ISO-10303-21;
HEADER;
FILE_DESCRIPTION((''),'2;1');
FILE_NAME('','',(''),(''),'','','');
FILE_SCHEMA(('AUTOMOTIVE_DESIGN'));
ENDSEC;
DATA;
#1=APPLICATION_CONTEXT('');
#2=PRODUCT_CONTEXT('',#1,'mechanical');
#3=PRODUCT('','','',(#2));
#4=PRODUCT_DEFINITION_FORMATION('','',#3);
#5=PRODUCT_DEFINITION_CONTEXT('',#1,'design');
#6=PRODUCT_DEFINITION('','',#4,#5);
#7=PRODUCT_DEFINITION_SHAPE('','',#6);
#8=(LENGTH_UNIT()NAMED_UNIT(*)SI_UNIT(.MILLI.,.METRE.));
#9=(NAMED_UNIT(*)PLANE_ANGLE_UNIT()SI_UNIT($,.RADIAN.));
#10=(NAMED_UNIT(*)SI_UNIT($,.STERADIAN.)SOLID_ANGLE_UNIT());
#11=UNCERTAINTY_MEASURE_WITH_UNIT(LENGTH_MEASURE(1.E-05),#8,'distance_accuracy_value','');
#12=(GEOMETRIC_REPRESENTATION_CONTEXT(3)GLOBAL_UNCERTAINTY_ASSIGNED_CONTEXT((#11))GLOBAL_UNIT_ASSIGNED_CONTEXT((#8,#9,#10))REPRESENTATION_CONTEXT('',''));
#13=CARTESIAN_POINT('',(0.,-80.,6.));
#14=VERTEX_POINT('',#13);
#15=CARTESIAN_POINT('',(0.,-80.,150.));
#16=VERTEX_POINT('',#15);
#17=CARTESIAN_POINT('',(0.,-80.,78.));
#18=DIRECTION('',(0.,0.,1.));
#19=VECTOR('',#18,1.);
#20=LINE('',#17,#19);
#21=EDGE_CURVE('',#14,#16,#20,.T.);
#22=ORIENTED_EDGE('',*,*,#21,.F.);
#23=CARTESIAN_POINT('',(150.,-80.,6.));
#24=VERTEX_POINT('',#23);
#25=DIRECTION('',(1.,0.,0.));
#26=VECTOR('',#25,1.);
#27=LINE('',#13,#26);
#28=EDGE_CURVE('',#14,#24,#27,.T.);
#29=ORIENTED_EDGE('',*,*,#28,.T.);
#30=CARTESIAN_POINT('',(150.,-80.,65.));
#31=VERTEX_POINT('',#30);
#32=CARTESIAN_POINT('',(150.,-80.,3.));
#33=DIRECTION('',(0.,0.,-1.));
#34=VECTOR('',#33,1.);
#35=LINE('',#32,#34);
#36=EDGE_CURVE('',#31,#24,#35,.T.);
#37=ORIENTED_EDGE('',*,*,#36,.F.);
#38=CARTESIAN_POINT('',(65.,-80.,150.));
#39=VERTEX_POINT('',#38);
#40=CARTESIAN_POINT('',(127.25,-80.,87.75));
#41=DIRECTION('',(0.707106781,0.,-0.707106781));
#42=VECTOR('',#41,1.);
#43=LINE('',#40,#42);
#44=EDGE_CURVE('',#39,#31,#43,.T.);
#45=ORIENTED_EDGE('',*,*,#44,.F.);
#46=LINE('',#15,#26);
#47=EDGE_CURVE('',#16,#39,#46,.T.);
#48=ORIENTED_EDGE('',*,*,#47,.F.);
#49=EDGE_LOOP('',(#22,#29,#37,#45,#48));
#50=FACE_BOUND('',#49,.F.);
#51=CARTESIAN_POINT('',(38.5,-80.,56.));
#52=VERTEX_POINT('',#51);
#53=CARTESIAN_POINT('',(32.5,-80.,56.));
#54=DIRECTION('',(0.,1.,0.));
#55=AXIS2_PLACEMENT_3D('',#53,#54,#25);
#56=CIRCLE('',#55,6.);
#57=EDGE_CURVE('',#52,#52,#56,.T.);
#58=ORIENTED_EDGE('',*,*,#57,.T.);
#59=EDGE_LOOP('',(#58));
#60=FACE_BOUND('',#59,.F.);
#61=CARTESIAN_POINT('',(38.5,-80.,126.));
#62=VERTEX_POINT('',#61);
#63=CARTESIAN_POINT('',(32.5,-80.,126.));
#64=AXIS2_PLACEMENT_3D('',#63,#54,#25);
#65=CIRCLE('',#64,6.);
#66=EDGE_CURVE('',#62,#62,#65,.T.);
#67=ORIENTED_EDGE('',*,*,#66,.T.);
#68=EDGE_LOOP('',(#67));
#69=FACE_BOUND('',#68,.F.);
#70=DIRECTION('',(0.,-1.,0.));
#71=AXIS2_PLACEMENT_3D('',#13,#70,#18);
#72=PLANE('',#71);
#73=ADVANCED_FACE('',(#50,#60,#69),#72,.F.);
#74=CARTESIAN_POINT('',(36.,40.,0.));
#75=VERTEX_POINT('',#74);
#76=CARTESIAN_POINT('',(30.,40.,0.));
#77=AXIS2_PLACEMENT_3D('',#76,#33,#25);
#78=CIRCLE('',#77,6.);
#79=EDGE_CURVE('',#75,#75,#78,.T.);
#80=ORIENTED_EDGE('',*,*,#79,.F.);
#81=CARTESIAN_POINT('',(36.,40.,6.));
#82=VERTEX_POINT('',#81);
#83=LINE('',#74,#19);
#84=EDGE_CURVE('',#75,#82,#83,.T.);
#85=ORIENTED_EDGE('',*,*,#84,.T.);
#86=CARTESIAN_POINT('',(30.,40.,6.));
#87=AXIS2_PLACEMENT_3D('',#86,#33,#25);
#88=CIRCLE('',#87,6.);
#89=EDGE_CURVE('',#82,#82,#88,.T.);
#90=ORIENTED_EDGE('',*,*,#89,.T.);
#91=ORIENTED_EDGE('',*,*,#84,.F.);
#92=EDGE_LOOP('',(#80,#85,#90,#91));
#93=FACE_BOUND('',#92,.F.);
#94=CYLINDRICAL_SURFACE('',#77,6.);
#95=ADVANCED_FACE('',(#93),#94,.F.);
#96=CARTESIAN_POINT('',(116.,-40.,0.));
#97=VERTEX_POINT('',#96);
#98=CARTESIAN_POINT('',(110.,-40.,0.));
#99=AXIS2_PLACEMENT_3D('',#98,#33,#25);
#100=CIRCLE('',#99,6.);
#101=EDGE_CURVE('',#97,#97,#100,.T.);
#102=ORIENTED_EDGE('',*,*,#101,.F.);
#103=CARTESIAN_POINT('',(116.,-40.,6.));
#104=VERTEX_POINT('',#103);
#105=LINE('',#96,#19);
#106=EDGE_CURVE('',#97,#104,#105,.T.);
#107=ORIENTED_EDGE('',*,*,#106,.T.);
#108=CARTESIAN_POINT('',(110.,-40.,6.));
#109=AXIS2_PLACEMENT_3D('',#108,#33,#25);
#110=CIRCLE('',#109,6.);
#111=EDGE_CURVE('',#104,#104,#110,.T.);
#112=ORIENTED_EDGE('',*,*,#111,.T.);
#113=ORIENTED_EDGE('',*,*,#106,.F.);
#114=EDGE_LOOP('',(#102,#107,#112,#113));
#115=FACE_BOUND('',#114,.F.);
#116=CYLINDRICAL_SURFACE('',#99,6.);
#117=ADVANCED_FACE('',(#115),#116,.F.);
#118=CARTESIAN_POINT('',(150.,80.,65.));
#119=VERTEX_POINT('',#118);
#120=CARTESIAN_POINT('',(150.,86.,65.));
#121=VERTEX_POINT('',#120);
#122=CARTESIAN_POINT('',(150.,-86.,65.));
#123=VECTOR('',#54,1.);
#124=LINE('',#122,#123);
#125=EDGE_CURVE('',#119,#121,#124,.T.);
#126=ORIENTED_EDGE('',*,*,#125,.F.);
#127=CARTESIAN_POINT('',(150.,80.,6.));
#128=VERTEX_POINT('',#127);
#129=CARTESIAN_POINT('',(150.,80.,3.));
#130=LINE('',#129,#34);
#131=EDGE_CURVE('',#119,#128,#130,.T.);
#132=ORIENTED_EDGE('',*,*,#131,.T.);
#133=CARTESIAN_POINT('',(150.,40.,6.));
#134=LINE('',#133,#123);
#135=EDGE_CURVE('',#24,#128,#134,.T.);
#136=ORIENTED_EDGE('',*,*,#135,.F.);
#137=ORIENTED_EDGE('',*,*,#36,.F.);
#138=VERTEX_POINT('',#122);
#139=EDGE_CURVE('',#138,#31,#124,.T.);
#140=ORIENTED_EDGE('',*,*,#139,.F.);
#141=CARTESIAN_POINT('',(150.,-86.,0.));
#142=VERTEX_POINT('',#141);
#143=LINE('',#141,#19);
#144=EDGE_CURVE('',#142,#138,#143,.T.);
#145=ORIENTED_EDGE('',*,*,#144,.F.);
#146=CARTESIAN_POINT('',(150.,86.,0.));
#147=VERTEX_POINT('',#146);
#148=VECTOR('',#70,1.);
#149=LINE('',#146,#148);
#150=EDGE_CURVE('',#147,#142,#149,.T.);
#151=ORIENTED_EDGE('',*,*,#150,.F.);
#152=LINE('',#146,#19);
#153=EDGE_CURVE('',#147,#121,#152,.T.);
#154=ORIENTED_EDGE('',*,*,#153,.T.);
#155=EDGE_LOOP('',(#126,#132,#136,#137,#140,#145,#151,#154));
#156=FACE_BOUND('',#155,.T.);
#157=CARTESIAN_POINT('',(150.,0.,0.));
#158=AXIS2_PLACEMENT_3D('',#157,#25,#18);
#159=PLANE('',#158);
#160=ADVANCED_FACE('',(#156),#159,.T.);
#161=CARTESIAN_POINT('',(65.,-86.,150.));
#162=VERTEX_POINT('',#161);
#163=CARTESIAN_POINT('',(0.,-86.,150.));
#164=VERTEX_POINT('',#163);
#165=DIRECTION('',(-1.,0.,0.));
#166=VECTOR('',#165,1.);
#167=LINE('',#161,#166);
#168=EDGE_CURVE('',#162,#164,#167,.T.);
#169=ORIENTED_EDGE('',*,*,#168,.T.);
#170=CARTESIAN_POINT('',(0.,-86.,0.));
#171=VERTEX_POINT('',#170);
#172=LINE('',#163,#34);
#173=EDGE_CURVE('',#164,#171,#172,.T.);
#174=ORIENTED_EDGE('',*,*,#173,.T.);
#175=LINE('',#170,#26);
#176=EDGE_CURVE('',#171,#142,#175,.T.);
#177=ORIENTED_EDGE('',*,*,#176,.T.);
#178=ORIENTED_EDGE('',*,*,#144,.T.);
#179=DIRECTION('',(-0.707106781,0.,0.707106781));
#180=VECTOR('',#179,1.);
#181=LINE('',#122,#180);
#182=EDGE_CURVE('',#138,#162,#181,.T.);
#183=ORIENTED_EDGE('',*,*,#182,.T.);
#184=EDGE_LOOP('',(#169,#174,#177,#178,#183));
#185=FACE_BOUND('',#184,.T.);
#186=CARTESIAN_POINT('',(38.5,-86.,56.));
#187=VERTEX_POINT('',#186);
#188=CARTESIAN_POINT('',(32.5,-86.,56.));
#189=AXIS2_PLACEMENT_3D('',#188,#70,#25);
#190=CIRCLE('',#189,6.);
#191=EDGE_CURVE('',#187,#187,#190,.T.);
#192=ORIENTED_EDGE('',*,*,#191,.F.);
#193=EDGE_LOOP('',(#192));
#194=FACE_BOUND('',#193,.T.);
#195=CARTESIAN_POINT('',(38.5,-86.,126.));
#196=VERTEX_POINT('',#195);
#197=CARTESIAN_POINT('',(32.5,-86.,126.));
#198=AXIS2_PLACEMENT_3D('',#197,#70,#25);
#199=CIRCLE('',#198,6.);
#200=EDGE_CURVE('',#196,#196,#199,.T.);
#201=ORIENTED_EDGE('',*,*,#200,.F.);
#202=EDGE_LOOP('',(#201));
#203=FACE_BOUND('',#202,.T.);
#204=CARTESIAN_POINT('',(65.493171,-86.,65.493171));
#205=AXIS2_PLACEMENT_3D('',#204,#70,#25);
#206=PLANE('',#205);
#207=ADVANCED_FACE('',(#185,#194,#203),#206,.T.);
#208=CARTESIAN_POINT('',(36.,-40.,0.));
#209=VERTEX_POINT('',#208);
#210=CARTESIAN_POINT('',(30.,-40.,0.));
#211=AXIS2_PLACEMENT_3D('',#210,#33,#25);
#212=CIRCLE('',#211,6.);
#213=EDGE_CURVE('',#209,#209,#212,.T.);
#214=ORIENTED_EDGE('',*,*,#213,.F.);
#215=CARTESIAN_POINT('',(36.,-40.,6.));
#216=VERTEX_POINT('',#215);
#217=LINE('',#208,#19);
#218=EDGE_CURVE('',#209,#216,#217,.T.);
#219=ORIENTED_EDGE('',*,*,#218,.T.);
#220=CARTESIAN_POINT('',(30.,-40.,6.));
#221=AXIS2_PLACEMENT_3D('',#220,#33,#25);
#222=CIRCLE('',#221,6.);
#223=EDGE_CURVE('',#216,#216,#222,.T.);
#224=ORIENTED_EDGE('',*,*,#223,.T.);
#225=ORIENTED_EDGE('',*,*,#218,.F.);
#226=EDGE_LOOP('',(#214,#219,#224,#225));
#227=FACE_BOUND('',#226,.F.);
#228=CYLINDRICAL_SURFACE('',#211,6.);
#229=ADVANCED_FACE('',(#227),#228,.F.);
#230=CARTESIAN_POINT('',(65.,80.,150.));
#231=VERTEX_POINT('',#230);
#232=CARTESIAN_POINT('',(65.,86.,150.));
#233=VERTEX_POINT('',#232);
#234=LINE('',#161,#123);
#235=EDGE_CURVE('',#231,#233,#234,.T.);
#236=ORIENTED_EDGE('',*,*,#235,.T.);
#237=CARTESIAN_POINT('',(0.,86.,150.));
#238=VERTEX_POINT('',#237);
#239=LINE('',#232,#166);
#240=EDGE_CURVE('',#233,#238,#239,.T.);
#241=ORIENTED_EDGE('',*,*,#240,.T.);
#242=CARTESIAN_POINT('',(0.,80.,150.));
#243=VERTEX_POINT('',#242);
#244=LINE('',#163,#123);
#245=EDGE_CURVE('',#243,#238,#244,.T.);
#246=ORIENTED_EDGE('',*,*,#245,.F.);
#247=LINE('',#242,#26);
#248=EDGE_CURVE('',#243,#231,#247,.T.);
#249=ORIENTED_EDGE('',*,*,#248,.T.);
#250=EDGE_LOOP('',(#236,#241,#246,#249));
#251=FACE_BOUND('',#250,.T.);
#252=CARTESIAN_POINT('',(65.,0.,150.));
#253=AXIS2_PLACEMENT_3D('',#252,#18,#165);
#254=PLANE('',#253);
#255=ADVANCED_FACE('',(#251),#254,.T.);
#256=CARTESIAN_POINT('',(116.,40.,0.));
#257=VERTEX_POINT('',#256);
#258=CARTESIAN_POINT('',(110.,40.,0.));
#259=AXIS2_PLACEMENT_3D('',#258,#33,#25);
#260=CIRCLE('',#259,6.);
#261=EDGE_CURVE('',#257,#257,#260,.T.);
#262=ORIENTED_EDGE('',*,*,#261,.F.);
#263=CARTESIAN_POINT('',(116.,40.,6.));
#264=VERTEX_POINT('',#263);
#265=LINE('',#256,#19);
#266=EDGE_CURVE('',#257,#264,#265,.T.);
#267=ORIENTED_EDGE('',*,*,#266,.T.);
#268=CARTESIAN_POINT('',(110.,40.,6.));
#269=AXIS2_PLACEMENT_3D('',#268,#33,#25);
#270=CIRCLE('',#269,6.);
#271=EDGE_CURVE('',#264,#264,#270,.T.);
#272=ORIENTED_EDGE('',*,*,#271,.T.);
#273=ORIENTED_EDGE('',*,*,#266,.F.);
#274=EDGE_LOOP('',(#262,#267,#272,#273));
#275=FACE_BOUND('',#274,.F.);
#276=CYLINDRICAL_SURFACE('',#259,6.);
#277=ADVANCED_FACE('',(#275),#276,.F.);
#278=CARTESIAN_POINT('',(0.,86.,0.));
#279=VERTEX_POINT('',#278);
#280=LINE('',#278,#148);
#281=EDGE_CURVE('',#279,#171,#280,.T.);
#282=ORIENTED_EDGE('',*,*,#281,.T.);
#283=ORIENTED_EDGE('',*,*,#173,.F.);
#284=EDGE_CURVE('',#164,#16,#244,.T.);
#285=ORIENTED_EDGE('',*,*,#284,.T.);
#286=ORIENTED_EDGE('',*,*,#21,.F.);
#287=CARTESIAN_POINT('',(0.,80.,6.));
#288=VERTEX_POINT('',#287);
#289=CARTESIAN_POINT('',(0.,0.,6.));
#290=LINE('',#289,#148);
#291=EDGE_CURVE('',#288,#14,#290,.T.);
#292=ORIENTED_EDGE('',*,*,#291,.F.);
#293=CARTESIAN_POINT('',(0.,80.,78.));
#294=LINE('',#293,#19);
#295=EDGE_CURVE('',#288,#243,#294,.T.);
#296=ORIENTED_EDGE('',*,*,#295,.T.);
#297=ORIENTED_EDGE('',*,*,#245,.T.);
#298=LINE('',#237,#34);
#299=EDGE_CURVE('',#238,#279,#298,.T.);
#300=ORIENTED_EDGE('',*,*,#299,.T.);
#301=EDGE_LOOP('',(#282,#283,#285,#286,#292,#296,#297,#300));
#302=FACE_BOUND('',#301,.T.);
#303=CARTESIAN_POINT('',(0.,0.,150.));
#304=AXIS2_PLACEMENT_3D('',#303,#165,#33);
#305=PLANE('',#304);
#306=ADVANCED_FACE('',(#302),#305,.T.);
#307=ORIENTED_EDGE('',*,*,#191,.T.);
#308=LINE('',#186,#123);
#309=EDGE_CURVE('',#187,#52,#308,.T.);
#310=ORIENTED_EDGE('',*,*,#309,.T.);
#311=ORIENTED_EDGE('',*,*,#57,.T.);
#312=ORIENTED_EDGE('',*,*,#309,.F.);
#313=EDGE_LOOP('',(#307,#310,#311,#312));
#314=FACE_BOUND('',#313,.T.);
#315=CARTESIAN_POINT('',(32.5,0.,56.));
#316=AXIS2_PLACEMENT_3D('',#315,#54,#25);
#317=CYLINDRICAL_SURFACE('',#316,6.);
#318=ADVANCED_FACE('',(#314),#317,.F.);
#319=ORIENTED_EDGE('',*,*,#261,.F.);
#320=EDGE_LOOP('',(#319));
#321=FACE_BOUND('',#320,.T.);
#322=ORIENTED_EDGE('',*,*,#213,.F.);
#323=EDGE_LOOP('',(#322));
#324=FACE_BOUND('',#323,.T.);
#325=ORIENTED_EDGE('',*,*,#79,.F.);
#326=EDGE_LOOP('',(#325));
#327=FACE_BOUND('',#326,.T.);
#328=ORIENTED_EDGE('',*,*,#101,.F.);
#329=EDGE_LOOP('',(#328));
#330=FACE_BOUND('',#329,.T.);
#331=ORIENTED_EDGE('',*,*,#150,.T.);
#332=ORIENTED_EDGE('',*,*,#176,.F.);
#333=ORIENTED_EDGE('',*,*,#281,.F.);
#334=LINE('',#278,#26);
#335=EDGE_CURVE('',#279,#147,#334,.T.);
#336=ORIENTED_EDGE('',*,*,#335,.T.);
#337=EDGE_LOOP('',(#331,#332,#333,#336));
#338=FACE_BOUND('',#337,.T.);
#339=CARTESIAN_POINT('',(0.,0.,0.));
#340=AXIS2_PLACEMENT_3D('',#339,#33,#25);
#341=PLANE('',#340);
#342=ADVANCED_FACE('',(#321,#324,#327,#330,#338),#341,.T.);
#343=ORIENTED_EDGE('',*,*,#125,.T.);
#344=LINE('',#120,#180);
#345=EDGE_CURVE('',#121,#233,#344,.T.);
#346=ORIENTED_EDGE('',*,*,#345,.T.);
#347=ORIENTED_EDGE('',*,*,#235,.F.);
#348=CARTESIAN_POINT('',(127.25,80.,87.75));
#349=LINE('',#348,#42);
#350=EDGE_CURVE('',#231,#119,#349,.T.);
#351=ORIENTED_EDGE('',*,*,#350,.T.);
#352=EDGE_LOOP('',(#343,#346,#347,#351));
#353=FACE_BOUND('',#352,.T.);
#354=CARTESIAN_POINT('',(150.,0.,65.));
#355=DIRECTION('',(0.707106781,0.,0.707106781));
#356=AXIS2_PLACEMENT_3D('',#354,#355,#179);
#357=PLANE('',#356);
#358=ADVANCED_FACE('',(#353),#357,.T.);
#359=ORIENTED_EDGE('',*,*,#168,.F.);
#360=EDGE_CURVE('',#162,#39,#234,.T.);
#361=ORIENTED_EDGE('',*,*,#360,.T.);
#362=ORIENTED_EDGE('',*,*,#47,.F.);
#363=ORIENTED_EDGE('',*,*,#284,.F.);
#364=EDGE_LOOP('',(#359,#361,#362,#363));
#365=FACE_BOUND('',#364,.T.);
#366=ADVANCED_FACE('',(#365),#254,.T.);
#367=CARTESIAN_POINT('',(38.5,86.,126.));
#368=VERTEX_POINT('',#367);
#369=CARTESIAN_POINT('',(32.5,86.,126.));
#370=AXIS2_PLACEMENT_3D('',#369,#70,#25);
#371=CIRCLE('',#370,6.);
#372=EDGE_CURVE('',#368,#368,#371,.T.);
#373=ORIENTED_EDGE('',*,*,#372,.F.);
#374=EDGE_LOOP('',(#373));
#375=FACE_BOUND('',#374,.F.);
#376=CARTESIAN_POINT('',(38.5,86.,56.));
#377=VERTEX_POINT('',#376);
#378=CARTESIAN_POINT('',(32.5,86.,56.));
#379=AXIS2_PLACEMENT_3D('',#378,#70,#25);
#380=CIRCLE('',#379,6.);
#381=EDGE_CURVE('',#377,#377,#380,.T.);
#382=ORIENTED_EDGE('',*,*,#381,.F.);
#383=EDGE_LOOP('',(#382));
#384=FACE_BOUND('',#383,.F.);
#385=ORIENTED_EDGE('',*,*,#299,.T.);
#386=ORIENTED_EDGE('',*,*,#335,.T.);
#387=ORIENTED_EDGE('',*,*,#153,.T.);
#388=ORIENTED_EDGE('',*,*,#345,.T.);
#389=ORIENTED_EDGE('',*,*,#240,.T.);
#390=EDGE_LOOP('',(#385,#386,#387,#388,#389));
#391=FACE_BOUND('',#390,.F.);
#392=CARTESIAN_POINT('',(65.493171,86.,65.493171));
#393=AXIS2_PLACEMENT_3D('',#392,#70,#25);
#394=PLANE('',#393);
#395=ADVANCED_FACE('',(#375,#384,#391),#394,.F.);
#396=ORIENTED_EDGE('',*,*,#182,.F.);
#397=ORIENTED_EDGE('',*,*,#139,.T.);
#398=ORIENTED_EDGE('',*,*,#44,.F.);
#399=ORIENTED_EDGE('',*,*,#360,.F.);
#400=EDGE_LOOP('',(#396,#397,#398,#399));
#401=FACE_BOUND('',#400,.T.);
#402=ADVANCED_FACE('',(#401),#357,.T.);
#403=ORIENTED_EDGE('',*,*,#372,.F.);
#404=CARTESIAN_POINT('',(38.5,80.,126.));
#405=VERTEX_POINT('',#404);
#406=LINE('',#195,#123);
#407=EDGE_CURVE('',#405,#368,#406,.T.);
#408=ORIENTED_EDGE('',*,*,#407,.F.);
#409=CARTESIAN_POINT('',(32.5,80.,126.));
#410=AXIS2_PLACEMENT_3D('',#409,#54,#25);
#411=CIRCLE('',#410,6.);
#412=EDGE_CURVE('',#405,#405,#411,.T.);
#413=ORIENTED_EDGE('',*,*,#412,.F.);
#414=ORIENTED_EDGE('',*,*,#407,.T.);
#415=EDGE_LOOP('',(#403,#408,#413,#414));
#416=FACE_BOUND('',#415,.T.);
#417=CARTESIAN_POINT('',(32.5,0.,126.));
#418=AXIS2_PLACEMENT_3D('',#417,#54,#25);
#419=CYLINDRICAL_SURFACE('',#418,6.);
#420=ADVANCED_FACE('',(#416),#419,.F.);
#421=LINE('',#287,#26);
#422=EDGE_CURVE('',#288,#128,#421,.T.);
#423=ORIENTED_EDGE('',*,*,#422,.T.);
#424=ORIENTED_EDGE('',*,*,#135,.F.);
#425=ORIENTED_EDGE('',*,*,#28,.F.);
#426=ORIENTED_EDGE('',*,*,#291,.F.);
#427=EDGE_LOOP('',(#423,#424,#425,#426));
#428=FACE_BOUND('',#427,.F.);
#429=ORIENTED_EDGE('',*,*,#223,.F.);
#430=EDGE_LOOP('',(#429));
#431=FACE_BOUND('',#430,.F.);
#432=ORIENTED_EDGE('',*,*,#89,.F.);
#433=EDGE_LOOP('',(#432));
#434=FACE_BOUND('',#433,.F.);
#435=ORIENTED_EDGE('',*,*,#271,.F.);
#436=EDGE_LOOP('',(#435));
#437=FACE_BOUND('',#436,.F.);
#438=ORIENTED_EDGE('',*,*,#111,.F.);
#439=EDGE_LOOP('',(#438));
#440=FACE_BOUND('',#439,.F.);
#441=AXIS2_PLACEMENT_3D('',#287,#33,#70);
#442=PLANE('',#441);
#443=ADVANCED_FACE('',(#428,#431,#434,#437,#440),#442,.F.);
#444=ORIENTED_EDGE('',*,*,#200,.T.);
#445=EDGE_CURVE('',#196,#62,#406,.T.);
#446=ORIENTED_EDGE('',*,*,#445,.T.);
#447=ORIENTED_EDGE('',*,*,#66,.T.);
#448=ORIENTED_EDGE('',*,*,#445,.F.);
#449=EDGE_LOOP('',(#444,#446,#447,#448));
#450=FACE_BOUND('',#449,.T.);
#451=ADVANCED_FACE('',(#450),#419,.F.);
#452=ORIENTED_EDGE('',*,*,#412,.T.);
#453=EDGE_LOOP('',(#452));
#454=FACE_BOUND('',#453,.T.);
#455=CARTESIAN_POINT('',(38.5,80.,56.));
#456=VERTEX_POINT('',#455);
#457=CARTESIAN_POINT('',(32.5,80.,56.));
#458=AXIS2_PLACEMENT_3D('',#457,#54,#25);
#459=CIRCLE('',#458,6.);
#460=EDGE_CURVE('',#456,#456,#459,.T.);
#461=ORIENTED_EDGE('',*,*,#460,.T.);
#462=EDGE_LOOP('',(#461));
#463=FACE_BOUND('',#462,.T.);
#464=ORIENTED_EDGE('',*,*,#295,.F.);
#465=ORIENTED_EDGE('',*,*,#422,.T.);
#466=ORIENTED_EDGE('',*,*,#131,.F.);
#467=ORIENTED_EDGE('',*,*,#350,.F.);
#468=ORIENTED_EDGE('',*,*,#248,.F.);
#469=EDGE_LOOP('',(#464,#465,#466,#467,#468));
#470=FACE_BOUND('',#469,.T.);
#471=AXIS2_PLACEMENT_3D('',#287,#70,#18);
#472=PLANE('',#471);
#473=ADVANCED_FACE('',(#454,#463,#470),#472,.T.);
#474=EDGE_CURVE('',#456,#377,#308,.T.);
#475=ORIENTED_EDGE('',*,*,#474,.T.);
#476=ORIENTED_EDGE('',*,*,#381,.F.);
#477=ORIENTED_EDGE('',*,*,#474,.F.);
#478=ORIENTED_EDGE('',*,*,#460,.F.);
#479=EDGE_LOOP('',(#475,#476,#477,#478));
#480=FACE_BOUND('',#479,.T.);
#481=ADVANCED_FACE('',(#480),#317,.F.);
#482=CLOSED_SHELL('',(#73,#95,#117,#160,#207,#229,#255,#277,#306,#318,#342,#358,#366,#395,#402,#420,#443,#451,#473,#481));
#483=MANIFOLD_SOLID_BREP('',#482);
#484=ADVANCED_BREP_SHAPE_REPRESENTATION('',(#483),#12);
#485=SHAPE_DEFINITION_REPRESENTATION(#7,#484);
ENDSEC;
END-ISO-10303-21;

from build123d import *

# Parameters (mm, degrees)
F0_R     = 6
F1_DEPTH = 86
F2_W     = 160
F2_H     = 144
F3_DEPTH = 150.001
F4_R     = 6
F5_DEPTH = 150.001


with BuildPart() as f1:
    # F0 (on Front) → F1 (new body, symmetric)
    with BuildSketch(Plane.XZ):
        Polygon((0, 150), (0, 0), (150, 0), (150, 65), (65, 150), align=None)
        with Locations((32.5, 56)):
            Circle(F0_R, mode=Mode.SUBTRACT)
        with Locations((32.5, 126)):
            Circle(F0_R, mode=Mode.SUBTRACT)
    extrude(amount=F1_DEPTH, both=True)

    # F2 (on face) → F3 (cut, through all)
    with BuildSketch(Plane(origin=(0, 0, 0), x_dir=(0, -1, 0), z_dir=(-1, 0, 0))):
        with Locations((0, 78)):
            Rectangle(F2_W, F2_H)
    extrude(amount=-F3_DEPTH, mode=Mode.SUBTRACT)

    # F4 (on face) → F5 (cut, through all)
    with BuildSketch(Plane(origin=(0, 0, 0), x_dir=(1, 0, 0), z_dir=(0, 0, -1))):
        with Locations((110, 40)):
            Circle(F4_R)
        with Locations((110, -40)):
            Circle(F4_R)
        with Locations((30, 40)):
            Circle(F4_R)
        with Locations((30, -40)):
            Circle(F4_R)
    extrude(amount=-F5_DEPTH, mode=Mode.SUBTRACT)


solid = f1.part
